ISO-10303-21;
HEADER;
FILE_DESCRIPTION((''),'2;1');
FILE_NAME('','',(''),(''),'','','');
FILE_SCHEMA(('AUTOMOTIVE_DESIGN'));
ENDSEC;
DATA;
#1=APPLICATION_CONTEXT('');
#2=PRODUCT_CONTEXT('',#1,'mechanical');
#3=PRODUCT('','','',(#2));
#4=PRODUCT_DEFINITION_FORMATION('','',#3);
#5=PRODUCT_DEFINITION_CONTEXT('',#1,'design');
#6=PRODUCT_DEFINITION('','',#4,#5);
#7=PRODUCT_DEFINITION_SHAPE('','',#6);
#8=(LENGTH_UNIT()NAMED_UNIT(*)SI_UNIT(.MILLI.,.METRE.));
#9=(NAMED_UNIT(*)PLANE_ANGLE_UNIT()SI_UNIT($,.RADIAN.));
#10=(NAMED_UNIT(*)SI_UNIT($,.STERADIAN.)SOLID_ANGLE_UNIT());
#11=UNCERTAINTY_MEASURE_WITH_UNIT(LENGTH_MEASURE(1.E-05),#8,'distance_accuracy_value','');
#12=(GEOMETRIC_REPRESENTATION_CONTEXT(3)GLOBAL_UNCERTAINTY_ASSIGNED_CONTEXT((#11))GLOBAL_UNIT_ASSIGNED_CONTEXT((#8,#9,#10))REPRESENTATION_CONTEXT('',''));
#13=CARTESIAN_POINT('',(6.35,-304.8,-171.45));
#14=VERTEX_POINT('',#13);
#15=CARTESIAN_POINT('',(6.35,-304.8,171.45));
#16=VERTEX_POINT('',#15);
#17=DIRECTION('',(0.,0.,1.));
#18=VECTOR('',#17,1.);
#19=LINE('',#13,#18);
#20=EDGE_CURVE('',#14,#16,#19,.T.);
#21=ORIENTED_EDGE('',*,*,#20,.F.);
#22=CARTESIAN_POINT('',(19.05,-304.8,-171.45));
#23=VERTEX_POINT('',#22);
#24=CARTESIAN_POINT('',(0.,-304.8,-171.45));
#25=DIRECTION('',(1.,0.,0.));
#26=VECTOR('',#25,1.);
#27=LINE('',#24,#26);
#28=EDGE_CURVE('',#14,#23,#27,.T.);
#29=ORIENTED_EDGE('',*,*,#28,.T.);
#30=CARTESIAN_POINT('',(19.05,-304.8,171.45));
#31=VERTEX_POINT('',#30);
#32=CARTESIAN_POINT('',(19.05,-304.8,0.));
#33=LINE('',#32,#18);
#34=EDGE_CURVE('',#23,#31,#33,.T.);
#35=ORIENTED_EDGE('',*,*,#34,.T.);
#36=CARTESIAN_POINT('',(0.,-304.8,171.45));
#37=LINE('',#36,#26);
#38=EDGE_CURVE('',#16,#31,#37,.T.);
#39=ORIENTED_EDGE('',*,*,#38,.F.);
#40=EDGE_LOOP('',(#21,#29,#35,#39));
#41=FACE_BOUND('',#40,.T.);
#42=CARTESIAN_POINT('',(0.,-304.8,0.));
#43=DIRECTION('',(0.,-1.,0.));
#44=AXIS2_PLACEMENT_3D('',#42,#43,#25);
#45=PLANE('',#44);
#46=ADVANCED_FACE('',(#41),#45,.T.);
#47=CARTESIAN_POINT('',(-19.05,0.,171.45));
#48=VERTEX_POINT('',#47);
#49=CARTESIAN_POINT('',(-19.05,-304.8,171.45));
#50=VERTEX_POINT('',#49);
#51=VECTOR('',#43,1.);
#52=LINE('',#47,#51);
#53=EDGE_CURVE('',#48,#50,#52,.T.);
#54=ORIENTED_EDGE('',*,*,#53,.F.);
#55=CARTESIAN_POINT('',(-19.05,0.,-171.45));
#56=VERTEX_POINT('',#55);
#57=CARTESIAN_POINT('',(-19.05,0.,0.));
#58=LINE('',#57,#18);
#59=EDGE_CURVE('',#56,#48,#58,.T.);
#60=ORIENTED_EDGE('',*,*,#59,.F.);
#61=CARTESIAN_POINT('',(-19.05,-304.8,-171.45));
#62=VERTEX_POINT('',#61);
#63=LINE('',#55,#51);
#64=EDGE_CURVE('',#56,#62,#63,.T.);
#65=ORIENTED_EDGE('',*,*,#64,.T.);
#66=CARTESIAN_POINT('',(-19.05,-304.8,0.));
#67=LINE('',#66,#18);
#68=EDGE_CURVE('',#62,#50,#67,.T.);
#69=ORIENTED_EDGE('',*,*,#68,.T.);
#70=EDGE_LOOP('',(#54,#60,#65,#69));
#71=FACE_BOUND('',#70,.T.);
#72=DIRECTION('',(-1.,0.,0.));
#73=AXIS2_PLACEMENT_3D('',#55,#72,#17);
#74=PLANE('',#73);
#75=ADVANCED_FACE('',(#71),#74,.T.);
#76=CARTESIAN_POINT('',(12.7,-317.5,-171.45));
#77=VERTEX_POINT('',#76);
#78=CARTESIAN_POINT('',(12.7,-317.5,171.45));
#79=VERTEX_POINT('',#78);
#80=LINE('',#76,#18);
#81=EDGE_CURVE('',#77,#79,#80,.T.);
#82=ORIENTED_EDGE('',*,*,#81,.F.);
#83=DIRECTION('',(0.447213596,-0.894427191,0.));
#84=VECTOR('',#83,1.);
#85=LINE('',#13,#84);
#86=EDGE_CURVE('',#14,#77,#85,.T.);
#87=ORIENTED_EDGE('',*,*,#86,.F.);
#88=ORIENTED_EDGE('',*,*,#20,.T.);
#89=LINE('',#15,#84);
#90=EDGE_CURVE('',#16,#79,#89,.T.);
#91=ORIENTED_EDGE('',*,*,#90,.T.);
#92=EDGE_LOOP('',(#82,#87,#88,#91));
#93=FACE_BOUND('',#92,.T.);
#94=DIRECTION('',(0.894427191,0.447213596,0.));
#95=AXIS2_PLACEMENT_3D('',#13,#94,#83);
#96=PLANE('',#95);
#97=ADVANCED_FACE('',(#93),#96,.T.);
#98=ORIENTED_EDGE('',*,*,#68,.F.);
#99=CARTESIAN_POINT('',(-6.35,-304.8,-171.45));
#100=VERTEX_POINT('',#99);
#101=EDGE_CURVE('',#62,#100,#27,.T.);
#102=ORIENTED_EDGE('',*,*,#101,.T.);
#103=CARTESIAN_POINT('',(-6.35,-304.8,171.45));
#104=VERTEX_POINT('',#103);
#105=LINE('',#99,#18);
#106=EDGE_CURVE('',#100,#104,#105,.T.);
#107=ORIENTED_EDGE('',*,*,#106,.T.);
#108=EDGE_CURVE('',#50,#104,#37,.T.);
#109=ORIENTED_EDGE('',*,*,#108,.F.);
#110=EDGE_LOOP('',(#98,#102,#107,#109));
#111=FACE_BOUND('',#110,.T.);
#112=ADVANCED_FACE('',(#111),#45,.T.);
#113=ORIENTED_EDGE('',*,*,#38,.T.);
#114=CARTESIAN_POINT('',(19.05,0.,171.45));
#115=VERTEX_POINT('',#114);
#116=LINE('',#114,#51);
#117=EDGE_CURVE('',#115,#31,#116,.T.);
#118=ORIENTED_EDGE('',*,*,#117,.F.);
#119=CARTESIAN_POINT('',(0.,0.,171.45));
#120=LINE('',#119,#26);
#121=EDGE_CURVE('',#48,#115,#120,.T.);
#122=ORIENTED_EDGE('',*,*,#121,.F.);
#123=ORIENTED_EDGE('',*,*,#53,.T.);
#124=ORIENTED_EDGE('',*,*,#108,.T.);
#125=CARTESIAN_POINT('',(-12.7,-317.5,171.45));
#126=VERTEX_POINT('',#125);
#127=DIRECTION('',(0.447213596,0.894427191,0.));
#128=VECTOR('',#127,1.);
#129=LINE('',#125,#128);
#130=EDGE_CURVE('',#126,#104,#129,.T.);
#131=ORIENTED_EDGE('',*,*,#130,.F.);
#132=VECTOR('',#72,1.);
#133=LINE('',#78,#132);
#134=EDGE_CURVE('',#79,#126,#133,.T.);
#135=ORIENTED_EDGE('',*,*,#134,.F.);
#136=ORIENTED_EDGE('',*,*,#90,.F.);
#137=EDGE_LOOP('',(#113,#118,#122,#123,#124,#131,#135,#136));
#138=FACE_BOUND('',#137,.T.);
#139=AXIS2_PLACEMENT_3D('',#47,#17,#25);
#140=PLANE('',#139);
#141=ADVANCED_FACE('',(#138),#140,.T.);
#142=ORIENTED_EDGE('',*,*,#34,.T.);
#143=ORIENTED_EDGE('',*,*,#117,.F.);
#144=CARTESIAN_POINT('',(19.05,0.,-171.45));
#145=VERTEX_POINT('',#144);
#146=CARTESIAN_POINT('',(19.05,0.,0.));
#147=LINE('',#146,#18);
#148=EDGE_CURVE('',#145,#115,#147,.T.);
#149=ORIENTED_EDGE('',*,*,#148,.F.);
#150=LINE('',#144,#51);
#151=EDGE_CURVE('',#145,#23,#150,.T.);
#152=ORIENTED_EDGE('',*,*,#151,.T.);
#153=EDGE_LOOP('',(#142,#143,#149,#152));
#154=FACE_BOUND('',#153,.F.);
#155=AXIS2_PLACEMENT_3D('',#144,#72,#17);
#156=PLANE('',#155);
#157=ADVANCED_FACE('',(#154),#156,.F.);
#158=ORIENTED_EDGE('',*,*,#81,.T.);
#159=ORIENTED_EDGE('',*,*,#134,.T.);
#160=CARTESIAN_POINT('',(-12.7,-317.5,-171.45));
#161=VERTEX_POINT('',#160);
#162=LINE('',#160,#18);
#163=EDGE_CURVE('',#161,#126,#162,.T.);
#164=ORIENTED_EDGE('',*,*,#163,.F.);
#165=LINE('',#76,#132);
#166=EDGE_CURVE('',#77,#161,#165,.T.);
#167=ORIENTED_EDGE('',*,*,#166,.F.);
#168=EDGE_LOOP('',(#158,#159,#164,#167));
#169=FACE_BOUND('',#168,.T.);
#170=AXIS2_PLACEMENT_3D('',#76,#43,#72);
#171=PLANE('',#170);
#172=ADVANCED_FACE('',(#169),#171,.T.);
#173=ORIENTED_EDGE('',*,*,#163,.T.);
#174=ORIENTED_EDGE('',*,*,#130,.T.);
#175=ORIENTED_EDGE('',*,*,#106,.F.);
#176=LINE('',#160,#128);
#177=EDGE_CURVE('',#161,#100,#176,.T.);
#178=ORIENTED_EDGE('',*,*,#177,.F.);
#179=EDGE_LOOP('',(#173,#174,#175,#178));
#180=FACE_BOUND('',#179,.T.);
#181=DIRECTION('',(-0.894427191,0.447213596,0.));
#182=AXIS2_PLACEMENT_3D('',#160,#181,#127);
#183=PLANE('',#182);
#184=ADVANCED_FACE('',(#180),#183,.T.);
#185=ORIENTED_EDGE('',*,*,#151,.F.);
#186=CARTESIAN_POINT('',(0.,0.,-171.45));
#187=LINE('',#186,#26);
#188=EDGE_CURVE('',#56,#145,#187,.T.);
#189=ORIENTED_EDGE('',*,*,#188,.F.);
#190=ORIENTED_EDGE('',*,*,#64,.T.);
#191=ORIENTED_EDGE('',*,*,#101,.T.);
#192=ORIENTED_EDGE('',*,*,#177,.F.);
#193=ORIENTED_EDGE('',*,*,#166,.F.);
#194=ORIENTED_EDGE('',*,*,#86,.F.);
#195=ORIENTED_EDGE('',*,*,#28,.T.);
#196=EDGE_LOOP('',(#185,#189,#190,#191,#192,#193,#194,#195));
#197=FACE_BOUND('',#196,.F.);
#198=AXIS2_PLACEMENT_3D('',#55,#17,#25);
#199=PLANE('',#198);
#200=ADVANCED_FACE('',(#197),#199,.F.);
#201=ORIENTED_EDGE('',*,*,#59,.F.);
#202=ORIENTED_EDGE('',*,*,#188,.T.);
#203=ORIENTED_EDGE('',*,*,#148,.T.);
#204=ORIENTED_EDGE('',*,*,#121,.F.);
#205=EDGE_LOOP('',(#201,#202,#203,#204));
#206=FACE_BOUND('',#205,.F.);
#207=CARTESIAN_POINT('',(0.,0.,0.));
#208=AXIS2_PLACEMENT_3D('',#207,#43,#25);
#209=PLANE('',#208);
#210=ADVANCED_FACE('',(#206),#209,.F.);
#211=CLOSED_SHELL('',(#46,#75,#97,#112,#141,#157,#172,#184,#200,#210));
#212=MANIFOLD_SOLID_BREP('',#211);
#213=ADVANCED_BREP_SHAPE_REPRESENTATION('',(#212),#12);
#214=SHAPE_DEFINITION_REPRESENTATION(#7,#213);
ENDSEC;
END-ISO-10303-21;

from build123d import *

# Parameters (mm, degrees)
F0_W     = 38.1
F0_H     = 342.9
F1_DEPTH = 304.8
F3_DEPTH = 342.9


with BuildPart() as f1:
    # F0 (on Front) → F1 (new body)
    with BuildSketch(Plane.XZ):
        Rectangle(F0_W, F0_H)
    extrude(amount=F1_DEPTH)

    # F2 (on face) → F3 (join)
    with BuildSketch(Plane(origin=(0, 0, -171.45), x_dir=(1, 0, 0), z_dir=(0, 0, -1))):
        Polygon((-12.7, 317.5), (-6.35, 304.8), (6.35, 304.8), (12.7, 317.5), align=None)
    extrude(amount=-F3_DEPTH)


solid = f1.part
